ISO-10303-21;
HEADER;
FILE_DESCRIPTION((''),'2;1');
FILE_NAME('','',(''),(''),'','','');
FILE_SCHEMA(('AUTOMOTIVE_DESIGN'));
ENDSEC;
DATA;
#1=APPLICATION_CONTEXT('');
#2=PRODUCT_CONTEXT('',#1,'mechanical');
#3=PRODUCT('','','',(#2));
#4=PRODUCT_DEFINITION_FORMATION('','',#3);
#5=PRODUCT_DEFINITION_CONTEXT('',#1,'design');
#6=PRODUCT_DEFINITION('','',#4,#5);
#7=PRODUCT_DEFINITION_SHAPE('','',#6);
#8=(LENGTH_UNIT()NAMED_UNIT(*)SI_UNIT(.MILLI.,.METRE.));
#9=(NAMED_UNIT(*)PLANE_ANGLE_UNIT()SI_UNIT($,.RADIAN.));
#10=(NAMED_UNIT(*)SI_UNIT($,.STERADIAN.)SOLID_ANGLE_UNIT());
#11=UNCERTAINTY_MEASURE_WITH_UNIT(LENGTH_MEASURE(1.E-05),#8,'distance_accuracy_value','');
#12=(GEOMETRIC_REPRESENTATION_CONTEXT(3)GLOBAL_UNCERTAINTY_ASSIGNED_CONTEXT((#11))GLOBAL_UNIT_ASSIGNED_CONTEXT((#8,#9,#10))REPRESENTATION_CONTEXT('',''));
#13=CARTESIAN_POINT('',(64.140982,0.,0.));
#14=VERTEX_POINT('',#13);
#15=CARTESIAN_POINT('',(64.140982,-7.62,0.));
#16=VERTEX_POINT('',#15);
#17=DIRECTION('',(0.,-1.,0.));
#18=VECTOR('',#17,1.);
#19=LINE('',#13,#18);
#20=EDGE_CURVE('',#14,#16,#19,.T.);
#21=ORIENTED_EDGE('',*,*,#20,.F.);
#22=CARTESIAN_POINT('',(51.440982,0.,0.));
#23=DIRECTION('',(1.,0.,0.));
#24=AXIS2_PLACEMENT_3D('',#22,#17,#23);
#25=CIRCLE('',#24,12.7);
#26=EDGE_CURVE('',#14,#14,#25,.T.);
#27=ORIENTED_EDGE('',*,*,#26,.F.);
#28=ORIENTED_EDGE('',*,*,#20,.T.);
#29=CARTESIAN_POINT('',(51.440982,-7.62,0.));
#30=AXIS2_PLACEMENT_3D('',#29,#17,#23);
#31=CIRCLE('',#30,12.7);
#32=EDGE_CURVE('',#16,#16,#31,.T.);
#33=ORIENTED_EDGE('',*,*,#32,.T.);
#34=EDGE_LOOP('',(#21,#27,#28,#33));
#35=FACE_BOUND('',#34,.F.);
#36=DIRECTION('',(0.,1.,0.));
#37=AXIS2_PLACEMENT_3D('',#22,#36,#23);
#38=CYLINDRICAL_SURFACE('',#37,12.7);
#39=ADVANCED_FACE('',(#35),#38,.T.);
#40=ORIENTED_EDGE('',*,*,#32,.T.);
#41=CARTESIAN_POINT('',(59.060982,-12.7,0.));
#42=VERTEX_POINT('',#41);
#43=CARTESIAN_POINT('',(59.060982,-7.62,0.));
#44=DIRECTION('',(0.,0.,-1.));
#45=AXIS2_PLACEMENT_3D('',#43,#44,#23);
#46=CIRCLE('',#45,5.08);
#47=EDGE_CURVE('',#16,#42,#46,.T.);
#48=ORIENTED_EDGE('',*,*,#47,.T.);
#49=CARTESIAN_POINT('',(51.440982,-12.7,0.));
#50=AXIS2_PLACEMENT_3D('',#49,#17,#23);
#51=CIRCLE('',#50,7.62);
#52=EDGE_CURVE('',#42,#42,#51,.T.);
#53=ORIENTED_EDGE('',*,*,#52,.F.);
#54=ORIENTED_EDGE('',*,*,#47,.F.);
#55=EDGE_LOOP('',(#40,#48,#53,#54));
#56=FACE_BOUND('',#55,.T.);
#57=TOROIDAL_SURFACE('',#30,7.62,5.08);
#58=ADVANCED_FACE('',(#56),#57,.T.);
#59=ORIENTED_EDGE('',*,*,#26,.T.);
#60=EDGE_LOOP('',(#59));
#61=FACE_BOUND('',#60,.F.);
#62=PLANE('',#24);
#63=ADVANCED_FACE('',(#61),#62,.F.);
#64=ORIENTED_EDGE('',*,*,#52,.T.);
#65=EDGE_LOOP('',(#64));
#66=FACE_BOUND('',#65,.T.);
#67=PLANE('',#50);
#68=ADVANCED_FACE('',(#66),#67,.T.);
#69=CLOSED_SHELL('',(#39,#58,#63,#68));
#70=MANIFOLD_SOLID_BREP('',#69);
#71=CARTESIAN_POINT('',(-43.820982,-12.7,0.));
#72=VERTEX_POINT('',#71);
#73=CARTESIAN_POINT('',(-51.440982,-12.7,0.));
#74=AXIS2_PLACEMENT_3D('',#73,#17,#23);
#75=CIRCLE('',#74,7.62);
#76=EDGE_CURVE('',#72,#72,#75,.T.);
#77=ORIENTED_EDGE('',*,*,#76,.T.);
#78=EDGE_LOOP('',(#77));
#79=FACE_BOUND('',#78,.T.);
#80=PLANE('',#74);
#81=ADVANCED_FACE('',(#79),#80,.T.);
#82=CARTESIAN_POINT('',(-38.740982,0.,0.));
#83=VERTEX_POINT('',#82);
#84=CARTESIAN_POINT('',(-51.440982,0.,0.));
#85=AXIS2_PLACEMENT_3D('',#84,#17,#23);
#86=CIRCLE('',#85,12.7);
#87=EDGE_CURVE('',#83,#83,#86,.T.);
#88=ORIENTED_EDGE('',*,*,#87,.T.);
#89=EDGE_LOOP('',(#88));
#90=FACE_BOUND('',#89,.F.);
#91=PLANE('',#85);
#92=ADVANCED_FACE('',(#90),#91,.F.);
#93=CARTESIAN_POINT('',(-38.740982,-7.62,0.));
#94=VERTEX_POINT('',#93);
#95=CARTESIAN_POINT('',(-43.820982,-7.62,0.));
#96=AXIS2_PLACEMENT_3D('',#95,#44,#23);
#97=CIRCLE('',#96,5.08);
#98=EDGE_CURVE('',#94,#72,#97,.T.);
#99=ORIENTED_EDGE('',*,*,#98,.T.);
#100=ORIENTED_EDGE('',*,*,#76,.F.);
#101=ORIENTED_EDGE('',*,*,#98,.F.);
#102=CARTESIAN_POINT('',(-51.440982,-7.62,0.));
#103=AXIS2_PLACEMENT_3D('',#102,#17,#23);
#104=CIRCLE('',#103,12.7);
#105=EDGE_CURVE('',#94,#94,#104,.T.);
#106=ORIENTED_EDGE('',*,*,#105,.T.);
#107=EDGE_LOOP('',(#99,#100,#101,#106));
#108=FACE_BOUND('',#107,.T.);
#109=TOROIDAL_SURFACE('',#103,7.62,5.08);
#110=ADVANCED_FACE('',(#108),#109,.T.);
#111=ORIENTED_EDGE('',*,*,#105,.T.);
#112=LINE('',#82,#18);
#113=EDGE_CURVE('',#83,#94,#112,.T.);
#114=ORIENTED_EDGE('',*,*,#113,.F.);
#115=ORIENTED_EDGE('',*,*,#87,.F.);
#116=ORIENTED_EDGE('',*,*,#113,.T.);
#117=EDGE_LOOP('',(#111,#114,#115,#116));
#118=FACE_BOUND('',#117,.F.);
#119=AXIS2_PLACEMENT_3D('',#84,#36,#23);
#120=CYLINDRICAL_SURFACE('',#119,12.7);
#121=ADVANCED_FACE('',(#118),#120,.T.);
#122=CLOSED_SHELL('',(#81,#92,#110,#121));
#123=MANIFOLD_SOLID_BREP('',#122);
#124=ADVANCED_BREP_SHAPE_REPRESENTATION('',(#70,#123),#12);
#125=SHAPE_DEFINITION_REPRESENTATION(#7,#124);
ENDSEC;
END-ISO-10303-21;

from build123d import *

# Parameters (mm, degrees)
F0_R     = 12.7
F1_DEPTH = 12.7
F2_R     = 5.08


with BuildPart() as f1:
    # F0 (on Front) → F1 (new body)
    with BuildSketch(Plane.XZ):
        with Locations((-51.440982, 0)):
            Circle(F0_R)
        with Locations((51.440982, 0)):
            Circle(F0_R)
    extrude(amount=F1_DEPTH)

    # F2
    f2_edges = [f1.edges().sort_by_distance(p)[0] for p in [
        (-64.140982, -12.7, 0),
        (38.740982, -12.7, 0),
    ]]
    fillet(f2_edges, radius=F2_R)


solid = f1.part
